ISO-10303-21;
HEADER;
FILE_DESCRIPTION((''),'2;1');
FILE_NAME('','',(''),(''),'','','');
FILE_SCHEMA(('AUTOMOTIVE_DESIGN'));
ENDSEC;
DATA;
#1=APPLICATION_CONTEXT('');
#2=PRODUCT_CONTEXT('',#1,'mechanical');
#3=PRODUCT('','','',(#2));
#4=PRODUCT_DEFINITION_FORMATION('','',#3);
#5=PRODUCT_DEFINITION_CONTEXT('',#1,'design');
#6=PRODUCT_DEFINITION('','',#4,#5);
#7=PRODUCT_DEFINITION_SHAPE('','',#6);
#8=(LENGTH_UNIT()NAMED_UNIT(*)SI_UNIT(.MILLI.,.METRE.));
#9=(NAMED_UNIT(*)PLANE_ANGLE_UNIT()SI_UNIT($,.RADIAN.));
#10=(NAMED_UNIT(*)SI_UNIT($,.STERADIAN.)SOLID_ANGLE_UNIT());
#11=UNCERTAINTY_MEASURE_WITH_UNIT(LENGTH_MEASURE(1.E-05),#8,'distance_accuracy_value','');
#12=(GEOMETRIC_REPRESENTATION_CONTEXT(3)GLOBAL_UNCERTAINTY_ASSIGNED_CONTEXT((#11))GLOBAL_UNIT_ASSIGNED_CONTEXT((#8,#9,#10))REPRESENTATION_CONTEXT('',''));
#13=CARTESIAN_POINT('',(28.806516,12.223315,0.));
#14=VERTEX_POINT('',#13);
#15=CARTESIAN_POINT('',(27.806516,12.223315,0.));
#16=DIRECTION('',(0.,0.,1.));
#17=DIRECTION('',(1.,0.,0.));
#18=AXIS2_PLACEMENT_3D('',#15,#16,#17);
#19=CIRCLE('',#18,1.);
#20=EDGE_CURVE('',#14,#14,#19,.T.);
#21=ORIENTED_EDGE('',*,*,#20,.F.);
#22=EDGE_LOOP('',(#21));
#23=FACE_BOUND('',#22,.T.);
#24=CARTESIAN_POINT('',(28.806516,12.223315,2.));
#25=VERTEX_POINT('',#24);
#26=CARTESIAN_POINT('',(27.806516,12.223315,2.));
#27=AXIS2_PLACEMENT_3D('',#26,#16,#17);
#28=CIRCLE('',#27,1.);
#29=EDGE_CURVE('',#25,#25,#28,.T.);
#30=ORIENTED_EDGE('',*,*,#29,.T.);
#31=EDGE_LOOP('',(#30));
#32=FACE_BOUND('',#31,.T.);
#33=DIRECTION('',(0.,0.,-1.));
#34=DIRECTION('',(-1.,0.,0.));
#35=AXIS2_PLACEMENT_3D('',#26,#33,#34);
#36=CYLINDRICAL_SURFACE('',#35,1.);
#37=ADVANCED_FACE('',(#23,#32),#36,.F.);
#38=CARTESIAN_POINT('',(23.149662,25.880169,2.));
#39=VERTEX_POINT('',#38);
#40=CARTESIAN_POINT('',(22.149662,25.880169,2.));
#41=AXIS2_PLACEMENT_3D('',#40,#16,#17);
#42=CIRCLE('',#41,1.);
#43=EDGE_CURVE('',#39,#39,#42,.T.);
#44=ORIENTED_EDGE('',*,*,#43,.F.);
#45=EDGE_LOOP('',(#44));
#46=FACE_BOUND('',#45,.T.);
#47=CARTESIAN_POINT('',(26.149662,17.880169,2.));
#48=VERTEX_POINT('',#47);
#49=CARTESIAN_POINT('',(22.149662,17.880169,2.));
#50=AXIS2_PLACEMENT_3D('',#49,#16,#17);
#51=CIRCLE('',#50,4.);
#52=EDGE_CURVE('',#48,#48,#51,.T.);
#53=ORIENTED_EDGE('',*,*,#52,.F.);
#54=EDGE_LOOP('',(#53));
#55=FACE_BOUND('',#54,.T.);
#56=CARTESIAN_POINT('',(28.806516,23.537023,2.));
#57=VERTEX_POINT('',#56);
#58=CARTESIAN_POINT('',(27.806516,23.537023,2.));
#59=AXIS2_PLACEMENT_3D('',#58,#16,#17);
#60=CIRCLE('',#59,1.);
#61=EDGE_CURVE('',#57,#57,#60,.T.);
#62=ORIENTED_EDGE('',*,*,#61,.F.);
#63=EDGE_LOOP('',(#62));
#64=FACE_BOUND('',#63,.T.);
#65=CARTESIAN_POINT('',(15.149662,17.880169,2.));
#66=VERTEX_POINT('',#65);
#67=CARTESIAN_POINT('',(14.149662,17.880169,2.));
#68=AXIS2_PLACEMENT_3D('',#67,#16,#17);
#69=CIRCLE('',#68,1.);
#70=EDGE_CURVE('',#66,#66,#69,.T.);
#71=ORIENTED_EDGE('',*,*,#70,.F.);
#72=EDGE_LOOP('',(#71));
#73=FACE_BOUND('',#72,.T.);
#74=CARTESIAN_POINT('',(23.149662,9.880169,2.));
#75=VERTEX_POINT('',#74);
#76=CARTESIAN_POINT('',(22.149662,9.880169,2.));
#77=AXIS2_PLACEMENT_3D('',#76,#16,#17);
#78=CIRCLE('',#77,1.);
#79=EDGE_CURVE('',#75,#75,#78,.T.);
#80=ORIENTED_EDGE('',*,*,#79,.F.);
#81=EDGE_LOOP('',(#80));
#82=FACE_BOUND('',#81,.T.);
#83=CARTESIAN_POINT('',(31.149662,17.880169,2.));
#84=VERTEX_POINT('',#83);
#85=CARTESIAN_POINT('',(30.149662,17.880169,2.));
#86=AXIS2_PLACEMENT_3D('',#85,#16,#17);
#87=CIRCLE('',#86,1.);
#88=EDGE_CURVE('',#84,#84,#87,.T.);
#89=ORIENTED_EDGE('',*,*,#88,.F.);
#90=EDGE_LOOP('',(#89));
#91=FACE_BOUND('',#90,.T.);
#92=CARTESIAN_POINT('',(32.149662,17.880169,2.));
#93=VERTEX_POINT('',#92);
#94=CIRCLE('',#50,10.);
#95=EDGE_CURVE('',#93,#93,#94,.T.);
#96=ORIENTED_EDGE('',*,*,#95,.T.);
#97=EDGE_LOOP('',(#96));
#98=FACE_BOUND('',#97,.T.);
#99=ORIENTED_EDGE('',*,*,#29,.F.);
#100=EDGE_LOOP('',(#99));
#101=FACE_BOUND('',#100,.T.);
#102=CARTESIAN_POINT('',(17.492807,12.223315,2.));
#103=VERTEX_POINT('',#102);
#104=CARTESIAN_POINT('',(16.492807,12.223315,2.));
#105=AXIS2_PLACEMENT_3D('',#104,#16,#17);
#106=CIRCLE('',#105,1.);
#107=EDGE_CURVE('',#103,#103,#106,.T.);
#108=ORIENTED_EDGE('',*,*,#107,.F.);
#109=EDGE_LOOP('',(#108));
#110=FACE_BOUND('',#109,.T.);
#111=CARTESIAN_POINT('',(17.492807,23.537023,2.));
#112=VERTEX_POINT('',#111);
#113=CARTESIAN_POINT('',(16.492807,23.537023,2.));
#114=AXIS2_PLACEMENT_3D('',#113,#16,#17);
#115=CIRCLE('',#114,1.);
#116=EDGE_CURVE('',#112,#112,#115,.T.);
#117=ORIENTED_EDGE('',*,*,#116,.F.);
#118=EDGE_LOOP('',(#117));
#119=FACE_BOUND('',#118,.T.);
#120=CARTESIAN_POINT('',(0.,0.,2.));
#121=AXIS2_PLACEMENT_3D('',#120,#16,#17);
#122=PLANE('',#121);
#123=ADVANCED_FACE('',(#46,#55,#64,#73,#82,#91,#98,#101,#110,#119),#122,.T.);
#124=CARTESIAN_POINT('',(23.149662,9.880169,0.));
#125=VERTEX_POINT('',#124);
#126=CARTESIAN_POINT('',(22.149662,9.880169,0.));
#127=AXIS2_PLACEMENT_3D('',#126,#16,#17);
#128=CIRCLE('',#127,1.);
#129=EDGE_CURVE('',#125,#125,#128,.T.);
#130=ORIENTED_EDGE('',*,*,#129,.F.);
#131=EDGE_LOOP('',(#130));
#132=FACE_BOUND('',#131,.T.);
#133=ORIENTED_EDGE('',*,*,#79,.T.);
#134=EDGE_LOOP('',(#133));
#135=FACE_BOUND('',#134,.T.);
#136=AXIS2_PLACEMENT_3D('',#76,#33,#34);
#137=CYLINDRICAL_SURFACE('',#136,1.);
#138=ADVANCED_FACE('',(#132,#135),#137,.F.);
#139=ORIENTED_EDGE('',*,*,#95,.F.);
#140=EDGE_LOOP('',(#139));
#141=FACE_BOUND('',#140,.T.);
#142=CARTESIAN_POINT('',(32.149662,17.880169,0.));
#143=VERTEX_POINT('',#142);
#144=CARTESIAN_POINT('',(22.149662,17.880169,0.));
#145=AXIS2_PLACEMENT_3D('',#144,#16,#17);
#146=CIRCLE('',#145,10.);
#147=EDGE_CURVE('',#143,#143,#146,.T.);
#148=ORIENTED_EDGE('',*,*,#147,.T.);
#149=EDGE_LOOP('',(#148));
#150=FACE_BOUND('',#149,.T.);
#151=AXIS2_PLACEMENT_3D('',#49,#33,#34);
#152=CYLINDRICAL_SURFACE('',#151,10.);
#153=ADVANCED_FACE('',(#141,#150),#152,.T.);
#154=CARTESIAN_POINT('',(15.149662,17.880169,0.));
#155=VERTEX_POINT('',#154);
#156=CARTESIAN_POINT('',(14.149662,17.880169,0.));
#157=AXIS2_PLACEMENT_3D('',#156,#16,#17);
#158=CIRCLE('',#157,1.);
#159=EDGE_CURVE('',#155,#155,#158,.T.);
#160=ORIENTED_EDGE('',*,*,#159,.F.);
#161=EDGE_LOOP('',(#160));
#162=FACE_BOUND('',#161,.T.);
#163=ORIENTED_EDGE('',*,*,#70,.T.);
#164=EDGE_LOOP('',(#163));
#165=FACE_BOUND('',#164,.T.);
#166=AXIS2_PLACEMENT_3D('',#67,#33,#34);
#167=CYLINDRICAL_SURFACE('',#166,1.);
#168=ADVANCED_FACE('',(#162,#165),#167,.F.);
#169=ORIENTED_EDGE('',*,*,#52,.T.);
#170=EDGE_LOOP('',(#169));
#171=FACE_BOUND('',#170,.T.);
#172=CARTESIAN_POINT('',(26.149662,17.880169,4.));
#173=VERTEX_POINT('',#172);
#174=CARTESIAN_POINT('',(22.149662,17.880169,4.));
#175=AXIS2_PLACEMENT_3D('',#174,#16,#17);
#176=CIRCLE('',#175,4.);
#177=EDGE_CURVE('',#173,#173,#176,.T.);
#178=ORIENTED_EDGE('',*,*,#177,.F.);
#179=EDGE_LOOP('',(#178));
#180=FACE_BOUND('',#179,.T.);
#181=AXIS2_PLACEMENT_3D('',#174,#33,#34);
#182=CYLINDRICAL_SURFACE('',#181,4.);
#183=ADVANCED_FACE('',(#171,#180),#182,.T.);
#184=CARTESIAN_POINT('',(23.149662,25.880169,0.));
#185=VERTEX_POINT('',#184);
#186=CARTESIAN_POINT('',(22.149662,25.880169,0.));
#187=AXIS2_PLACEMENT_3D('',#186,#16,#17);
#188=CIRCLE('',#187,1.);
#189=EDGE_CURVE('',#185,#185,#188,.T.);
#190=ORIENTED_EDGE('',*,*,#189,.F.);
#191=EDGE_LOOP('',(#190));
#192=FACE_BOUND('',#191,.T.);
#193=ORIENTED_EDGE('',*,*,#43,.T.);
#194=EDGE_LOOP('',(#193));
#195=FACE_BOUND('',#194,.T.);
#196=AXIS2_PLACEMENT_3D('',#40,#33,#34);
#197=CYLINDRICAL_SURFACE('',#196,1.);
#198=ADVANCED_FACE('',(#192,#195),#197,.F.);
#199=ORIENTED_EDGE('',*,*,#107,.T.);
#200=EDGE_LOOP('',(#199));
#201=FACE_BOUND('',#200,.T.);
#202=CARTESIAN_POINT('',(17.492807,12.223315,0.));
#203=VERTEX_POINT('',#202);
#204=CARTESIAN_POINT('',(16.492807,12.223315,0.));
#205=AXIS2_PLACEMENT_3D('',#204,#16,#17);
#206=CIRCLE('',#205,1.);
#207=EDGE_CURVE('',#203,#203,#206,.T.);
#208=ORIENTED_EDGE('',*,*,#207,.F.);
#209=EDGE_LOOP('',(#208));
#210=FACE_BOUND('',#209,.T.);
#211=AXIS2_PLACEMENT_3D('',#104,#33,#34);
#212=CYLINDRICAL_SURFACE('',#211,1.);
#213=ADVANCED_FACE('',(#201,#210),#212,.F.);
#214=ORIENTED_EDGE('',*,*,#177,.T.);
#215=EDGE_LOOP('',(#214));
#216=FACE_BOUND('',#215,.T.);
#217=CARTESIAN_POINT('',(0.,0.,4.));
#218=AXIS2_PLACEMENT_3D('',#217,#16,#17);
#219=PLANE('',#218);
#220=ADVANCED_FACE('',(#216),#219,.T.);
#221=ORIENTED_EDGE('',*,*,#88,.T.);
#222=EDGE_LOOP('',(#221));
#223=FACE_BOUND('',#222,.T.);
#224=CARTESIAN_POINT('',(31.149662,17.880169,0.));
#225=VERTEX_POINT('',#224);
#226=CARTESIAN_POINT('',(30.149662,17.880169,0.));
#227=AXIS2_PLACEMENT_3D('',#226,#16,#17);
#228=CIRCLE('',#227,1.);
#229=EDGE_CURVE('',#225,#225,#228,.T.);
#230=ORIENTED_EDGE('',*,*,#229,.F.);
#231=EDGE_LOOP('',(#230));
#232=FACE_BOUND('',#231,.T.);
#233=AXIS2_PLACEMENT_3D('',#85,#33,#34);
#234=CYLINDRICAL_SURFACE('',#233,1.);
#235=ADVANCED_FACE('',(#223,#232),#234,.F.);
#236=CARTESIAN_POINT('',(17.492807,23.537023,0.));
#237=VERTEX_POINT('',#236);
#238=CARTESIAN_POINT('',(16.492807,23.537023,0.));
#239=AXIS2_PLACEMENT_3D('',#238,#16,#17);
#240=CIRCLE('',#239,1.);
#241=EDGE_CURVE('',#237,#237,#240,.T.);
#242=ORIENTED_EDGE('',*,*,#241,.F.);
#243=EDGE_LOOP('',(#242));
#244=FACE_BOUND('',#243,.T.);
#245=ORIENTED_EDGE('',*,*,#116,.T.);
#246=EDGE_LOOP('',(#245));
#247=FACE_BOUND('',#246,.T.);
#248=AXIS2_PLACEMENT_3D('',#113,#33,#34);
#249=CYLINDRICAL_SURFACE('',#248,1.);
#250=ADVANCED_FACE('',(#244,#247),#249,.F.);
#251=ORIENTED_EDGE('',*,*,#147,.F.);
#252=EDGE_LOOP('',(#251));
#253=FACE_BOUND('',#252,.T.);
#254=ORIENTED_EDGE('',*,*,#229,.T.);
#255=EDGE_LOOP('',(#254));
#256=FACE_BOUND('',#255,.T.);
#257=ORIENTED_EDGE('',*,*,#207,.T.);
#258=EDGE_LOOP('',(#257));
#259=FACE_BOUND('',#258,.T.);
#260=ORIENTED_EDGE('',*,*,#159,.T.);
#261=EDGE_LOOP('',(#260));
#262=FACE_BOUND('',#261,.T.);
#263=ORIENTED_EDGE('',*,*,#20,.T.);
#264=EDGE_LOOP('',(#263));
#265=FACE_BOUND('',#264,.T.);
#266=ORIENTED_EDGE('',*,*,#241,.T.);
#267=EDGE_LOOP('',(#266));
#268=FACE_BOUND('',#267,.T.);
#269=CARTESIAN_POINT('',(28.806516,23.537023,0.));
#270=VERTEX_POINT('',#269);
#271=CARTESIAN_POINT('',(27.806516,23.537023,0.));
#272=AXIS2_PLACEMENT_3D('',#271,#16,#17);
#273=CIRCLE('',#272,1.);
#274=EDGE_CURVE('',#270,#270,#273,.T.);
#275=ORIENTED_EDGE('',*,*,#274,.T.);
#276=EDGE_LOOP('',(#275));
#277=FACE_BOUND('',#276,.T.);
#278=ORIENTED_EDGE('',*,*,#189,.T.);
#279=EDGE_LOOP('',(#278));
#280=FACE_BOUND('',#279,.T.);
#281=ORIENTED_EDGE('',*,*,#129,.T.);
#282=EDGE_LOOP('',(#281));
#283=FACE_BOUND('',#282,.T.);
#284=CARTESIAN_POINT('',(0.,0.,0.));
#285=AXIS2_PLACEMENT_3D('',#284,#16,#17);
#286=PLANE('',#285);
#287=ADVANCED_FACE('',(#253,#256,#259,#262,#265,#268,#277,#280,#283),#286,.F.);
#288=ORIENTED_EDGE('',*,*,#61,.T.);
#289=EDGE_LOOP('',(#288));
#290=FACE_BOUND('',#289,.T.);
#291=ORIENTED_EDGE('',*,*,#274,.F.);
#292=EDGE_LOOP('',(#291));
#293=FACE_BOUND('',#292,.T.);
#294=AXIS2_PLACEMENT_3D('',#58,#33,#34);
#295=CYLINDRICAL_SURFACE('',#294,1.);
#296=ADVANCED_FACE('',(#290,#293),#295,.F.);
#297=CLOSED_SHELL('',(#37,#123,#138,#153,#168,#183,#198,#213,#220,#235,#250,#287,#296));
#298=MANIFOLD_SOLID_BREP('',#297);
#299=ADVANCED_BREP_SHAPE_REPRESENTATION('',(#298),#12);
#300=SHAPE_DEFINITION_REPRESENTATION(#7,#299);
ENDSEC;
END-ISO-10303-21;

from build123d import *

# Parameters (mm, degrees)
ESQUISSE2_R        = 10
ESQUISSE2_R_2      = 1
BOSS_EXTRU_1_DEPTH = 2
BOSS_EXTRU_2_DEPTH = 2


with BuildPart() as part:
    # Esquisse2 → Boss.-Extru.1 (new body)
    with BuildSketch(Plane.XY):
        with Locations((22.149661623, 17.880169066)):
            Circle(ESQUISSE2_R)
        with Locations((16.492807374, 23.537023315)):
            Circle(ESQUISSE2_R_2, mode=Mode.SUBTRACT)
        with Locations((22.149661623, 25.880169066)):
            Circle(ESQUISSE2_R_2, mode=Mode.SUBTRACT)
        with Locations((27.806515873, 23.537023315)):
            Circle(ESQUISSE2_R_2, mode=Mode.SUBTRACT)
        with Locations((30.149661623, 17.880169066)):
            Circle(ESQUISSE2_R_2, mode=Mode.SUBTRACT)
        with Locations((27.806515873, 12.223314816)):
            Circle(ESQUISSE2_R_2, mode=Mode.SUBTRACT)
        with Locations((22.149661623, 9.880169066)):
            Circle(ESQUISSE2_R_2, mode=Mode.SUBTRACT)
        with Locations((16.492807374, 12.223314816)):
            Circle(ESQUISSE2_R_2, mode=Mode.SUBTRACT)
        with Locations((14.149661623, 17.880169066)):
            Circle(ESQUISSE2_R_2, mode=Mode.SUBTRACT)
    extrude(amount=BOSS_EXTRU_1_DEPTH)

    # Esquisse3 → Boss.-Extru.2 (add)
    with BuildSketch(Plane.XY.offset(2)):
        with BuildLine():
            ThreePointArc((26.149661623, 17.880169066), (24.978088748, 20.70859619), (22.149661623, 21.880169066))
            Line((22.149661623, 21.880169066), (22.149661623, 13.880169066))
            ThreePointArc((22.149661623, 13.880169066), (24.978088748, 15.051741941), (26.149661623, 17.880169066))
        make_face()
        with BuildLine():
            Line((22.149661623, 13.880169066), (22.149661623, 21.880169066))
            ThreePointArc((22.149661623, 21.880169066), (18.149661623, 17.880169066), (22.149661623, 13.880169066))
        make_face()
    extrude(amount=BOSS_EXTRU_2_DEPTH)


solid = part.part
